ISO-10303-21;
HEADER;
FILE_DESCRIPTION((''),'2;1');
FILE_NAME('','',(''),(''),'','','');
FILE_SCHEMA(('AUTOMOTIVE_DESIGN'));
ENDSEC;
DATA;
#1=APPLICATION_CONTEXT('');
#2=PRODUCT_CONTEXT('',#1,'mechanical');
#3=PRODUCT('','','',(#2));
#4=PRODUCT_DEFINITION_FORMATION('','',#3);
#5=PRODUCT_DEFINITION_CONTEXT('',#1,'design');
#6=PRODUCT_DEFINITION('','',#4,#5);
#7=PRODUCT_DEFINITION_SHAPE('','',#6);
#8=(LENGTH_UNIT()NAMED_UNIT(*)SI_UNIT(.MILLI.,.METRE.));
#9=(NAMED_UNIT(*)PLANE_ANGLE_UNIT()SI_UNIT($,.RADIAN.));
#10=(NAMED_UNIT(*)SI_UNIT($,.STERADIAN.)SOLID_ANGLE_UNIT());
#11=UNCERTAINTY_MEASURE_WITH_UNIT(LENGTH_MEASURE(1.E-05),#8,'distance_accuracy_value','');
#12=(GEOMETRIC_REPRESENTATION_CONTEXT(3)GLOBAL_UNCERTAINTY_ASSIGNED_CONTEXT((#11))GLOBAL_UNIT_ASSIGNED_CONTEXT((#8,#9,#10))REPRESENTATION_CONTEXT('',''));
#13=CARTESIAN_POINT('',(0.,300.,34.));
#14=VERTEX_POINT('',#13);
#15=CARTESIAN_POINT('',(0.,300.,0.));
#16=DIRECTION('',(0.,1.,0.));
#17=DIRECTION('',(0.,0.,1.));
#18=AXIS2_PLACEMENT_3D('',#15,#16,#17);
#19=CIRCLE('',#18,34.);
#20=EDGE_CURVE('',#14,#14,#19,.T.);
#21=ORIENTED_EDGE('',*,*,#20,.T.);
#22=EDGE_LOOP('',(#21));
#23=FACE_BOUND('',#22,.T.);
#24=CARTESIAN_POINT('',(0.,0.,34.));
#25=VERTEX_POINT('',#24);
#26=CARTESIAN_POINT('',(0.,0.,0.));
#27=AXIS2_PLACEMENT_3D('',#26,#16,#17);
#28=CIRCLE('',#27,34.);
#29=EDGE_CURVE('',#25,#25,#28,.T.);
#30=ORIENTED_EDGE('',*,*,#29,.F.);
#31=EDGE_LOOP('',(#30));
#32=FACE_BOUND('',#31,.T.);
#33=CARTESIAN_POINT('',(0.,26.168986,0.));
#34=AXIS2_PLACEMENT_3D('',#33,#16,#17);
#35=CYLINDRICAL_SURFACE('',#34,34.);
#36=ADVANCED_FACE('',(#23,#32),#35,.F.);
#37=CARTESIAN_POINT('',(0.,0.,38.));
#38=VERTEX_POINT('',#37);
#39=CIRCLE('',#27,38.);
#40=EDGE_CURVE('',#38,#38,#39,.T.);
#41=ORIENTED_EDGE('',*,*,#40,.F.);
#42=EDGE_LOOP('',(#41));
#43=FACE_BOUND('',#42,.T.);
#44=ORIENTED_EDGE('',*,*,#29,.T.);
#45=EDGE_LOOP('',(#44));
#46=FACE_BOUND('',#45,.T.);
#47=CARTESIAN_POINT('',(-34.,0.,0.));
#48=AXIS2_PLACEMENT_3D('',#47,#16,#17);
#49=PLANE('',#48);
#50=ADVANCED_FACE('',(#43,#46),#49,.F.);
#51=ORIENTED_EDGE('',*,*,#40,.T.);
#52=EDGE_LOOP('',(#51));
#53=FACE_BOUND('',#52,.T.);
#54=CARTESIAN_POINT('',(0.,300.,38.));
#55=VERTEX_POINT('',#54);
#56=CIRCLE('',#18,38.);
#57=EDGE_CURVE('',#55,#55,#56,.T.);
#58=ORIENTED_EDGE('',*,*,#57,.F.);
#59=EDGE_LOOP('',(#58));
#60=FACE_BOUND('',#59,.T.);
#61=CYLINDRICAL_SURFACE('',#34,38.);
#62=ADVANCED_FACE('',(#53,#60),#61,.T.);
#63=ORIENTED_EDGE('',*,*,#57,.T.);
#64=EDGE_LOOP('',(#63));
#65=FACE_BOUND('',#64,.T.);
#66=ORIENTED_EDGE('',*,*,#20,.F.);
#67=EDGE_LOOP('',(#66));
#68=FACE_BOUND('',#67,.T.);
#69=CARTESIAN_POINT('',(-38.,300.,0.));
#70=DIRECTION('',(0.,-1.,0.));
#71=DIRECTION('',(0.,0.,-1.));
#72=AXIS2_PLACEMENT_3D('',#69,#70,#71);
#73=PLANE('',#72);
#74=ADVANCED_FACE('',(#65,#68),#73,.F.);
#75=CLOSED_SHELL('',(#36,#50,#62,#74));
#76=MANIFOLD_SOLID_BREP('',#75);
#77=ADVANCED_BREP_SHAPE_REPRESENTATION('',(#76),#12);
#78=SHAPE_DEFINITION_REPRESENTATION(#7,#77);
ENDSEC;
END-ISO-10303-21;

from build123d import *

# Parameters (mm, degrees)
SKETCH_1_W = 4
SKETCH_1_H = 300


with BuildPart() as part:
    # Эскиз1 → Повернуть-Тонкостенный1 (revolve)
    with BuildSketch(Plane.XY):
        with Locations((-36, 150)):
            Rectangle(SKETCH_1_W, SKETCH_1_H)
    revolve(axis=Axis((0, 26.168985987, 0), (0, -1, 0)))


solid = part.part
